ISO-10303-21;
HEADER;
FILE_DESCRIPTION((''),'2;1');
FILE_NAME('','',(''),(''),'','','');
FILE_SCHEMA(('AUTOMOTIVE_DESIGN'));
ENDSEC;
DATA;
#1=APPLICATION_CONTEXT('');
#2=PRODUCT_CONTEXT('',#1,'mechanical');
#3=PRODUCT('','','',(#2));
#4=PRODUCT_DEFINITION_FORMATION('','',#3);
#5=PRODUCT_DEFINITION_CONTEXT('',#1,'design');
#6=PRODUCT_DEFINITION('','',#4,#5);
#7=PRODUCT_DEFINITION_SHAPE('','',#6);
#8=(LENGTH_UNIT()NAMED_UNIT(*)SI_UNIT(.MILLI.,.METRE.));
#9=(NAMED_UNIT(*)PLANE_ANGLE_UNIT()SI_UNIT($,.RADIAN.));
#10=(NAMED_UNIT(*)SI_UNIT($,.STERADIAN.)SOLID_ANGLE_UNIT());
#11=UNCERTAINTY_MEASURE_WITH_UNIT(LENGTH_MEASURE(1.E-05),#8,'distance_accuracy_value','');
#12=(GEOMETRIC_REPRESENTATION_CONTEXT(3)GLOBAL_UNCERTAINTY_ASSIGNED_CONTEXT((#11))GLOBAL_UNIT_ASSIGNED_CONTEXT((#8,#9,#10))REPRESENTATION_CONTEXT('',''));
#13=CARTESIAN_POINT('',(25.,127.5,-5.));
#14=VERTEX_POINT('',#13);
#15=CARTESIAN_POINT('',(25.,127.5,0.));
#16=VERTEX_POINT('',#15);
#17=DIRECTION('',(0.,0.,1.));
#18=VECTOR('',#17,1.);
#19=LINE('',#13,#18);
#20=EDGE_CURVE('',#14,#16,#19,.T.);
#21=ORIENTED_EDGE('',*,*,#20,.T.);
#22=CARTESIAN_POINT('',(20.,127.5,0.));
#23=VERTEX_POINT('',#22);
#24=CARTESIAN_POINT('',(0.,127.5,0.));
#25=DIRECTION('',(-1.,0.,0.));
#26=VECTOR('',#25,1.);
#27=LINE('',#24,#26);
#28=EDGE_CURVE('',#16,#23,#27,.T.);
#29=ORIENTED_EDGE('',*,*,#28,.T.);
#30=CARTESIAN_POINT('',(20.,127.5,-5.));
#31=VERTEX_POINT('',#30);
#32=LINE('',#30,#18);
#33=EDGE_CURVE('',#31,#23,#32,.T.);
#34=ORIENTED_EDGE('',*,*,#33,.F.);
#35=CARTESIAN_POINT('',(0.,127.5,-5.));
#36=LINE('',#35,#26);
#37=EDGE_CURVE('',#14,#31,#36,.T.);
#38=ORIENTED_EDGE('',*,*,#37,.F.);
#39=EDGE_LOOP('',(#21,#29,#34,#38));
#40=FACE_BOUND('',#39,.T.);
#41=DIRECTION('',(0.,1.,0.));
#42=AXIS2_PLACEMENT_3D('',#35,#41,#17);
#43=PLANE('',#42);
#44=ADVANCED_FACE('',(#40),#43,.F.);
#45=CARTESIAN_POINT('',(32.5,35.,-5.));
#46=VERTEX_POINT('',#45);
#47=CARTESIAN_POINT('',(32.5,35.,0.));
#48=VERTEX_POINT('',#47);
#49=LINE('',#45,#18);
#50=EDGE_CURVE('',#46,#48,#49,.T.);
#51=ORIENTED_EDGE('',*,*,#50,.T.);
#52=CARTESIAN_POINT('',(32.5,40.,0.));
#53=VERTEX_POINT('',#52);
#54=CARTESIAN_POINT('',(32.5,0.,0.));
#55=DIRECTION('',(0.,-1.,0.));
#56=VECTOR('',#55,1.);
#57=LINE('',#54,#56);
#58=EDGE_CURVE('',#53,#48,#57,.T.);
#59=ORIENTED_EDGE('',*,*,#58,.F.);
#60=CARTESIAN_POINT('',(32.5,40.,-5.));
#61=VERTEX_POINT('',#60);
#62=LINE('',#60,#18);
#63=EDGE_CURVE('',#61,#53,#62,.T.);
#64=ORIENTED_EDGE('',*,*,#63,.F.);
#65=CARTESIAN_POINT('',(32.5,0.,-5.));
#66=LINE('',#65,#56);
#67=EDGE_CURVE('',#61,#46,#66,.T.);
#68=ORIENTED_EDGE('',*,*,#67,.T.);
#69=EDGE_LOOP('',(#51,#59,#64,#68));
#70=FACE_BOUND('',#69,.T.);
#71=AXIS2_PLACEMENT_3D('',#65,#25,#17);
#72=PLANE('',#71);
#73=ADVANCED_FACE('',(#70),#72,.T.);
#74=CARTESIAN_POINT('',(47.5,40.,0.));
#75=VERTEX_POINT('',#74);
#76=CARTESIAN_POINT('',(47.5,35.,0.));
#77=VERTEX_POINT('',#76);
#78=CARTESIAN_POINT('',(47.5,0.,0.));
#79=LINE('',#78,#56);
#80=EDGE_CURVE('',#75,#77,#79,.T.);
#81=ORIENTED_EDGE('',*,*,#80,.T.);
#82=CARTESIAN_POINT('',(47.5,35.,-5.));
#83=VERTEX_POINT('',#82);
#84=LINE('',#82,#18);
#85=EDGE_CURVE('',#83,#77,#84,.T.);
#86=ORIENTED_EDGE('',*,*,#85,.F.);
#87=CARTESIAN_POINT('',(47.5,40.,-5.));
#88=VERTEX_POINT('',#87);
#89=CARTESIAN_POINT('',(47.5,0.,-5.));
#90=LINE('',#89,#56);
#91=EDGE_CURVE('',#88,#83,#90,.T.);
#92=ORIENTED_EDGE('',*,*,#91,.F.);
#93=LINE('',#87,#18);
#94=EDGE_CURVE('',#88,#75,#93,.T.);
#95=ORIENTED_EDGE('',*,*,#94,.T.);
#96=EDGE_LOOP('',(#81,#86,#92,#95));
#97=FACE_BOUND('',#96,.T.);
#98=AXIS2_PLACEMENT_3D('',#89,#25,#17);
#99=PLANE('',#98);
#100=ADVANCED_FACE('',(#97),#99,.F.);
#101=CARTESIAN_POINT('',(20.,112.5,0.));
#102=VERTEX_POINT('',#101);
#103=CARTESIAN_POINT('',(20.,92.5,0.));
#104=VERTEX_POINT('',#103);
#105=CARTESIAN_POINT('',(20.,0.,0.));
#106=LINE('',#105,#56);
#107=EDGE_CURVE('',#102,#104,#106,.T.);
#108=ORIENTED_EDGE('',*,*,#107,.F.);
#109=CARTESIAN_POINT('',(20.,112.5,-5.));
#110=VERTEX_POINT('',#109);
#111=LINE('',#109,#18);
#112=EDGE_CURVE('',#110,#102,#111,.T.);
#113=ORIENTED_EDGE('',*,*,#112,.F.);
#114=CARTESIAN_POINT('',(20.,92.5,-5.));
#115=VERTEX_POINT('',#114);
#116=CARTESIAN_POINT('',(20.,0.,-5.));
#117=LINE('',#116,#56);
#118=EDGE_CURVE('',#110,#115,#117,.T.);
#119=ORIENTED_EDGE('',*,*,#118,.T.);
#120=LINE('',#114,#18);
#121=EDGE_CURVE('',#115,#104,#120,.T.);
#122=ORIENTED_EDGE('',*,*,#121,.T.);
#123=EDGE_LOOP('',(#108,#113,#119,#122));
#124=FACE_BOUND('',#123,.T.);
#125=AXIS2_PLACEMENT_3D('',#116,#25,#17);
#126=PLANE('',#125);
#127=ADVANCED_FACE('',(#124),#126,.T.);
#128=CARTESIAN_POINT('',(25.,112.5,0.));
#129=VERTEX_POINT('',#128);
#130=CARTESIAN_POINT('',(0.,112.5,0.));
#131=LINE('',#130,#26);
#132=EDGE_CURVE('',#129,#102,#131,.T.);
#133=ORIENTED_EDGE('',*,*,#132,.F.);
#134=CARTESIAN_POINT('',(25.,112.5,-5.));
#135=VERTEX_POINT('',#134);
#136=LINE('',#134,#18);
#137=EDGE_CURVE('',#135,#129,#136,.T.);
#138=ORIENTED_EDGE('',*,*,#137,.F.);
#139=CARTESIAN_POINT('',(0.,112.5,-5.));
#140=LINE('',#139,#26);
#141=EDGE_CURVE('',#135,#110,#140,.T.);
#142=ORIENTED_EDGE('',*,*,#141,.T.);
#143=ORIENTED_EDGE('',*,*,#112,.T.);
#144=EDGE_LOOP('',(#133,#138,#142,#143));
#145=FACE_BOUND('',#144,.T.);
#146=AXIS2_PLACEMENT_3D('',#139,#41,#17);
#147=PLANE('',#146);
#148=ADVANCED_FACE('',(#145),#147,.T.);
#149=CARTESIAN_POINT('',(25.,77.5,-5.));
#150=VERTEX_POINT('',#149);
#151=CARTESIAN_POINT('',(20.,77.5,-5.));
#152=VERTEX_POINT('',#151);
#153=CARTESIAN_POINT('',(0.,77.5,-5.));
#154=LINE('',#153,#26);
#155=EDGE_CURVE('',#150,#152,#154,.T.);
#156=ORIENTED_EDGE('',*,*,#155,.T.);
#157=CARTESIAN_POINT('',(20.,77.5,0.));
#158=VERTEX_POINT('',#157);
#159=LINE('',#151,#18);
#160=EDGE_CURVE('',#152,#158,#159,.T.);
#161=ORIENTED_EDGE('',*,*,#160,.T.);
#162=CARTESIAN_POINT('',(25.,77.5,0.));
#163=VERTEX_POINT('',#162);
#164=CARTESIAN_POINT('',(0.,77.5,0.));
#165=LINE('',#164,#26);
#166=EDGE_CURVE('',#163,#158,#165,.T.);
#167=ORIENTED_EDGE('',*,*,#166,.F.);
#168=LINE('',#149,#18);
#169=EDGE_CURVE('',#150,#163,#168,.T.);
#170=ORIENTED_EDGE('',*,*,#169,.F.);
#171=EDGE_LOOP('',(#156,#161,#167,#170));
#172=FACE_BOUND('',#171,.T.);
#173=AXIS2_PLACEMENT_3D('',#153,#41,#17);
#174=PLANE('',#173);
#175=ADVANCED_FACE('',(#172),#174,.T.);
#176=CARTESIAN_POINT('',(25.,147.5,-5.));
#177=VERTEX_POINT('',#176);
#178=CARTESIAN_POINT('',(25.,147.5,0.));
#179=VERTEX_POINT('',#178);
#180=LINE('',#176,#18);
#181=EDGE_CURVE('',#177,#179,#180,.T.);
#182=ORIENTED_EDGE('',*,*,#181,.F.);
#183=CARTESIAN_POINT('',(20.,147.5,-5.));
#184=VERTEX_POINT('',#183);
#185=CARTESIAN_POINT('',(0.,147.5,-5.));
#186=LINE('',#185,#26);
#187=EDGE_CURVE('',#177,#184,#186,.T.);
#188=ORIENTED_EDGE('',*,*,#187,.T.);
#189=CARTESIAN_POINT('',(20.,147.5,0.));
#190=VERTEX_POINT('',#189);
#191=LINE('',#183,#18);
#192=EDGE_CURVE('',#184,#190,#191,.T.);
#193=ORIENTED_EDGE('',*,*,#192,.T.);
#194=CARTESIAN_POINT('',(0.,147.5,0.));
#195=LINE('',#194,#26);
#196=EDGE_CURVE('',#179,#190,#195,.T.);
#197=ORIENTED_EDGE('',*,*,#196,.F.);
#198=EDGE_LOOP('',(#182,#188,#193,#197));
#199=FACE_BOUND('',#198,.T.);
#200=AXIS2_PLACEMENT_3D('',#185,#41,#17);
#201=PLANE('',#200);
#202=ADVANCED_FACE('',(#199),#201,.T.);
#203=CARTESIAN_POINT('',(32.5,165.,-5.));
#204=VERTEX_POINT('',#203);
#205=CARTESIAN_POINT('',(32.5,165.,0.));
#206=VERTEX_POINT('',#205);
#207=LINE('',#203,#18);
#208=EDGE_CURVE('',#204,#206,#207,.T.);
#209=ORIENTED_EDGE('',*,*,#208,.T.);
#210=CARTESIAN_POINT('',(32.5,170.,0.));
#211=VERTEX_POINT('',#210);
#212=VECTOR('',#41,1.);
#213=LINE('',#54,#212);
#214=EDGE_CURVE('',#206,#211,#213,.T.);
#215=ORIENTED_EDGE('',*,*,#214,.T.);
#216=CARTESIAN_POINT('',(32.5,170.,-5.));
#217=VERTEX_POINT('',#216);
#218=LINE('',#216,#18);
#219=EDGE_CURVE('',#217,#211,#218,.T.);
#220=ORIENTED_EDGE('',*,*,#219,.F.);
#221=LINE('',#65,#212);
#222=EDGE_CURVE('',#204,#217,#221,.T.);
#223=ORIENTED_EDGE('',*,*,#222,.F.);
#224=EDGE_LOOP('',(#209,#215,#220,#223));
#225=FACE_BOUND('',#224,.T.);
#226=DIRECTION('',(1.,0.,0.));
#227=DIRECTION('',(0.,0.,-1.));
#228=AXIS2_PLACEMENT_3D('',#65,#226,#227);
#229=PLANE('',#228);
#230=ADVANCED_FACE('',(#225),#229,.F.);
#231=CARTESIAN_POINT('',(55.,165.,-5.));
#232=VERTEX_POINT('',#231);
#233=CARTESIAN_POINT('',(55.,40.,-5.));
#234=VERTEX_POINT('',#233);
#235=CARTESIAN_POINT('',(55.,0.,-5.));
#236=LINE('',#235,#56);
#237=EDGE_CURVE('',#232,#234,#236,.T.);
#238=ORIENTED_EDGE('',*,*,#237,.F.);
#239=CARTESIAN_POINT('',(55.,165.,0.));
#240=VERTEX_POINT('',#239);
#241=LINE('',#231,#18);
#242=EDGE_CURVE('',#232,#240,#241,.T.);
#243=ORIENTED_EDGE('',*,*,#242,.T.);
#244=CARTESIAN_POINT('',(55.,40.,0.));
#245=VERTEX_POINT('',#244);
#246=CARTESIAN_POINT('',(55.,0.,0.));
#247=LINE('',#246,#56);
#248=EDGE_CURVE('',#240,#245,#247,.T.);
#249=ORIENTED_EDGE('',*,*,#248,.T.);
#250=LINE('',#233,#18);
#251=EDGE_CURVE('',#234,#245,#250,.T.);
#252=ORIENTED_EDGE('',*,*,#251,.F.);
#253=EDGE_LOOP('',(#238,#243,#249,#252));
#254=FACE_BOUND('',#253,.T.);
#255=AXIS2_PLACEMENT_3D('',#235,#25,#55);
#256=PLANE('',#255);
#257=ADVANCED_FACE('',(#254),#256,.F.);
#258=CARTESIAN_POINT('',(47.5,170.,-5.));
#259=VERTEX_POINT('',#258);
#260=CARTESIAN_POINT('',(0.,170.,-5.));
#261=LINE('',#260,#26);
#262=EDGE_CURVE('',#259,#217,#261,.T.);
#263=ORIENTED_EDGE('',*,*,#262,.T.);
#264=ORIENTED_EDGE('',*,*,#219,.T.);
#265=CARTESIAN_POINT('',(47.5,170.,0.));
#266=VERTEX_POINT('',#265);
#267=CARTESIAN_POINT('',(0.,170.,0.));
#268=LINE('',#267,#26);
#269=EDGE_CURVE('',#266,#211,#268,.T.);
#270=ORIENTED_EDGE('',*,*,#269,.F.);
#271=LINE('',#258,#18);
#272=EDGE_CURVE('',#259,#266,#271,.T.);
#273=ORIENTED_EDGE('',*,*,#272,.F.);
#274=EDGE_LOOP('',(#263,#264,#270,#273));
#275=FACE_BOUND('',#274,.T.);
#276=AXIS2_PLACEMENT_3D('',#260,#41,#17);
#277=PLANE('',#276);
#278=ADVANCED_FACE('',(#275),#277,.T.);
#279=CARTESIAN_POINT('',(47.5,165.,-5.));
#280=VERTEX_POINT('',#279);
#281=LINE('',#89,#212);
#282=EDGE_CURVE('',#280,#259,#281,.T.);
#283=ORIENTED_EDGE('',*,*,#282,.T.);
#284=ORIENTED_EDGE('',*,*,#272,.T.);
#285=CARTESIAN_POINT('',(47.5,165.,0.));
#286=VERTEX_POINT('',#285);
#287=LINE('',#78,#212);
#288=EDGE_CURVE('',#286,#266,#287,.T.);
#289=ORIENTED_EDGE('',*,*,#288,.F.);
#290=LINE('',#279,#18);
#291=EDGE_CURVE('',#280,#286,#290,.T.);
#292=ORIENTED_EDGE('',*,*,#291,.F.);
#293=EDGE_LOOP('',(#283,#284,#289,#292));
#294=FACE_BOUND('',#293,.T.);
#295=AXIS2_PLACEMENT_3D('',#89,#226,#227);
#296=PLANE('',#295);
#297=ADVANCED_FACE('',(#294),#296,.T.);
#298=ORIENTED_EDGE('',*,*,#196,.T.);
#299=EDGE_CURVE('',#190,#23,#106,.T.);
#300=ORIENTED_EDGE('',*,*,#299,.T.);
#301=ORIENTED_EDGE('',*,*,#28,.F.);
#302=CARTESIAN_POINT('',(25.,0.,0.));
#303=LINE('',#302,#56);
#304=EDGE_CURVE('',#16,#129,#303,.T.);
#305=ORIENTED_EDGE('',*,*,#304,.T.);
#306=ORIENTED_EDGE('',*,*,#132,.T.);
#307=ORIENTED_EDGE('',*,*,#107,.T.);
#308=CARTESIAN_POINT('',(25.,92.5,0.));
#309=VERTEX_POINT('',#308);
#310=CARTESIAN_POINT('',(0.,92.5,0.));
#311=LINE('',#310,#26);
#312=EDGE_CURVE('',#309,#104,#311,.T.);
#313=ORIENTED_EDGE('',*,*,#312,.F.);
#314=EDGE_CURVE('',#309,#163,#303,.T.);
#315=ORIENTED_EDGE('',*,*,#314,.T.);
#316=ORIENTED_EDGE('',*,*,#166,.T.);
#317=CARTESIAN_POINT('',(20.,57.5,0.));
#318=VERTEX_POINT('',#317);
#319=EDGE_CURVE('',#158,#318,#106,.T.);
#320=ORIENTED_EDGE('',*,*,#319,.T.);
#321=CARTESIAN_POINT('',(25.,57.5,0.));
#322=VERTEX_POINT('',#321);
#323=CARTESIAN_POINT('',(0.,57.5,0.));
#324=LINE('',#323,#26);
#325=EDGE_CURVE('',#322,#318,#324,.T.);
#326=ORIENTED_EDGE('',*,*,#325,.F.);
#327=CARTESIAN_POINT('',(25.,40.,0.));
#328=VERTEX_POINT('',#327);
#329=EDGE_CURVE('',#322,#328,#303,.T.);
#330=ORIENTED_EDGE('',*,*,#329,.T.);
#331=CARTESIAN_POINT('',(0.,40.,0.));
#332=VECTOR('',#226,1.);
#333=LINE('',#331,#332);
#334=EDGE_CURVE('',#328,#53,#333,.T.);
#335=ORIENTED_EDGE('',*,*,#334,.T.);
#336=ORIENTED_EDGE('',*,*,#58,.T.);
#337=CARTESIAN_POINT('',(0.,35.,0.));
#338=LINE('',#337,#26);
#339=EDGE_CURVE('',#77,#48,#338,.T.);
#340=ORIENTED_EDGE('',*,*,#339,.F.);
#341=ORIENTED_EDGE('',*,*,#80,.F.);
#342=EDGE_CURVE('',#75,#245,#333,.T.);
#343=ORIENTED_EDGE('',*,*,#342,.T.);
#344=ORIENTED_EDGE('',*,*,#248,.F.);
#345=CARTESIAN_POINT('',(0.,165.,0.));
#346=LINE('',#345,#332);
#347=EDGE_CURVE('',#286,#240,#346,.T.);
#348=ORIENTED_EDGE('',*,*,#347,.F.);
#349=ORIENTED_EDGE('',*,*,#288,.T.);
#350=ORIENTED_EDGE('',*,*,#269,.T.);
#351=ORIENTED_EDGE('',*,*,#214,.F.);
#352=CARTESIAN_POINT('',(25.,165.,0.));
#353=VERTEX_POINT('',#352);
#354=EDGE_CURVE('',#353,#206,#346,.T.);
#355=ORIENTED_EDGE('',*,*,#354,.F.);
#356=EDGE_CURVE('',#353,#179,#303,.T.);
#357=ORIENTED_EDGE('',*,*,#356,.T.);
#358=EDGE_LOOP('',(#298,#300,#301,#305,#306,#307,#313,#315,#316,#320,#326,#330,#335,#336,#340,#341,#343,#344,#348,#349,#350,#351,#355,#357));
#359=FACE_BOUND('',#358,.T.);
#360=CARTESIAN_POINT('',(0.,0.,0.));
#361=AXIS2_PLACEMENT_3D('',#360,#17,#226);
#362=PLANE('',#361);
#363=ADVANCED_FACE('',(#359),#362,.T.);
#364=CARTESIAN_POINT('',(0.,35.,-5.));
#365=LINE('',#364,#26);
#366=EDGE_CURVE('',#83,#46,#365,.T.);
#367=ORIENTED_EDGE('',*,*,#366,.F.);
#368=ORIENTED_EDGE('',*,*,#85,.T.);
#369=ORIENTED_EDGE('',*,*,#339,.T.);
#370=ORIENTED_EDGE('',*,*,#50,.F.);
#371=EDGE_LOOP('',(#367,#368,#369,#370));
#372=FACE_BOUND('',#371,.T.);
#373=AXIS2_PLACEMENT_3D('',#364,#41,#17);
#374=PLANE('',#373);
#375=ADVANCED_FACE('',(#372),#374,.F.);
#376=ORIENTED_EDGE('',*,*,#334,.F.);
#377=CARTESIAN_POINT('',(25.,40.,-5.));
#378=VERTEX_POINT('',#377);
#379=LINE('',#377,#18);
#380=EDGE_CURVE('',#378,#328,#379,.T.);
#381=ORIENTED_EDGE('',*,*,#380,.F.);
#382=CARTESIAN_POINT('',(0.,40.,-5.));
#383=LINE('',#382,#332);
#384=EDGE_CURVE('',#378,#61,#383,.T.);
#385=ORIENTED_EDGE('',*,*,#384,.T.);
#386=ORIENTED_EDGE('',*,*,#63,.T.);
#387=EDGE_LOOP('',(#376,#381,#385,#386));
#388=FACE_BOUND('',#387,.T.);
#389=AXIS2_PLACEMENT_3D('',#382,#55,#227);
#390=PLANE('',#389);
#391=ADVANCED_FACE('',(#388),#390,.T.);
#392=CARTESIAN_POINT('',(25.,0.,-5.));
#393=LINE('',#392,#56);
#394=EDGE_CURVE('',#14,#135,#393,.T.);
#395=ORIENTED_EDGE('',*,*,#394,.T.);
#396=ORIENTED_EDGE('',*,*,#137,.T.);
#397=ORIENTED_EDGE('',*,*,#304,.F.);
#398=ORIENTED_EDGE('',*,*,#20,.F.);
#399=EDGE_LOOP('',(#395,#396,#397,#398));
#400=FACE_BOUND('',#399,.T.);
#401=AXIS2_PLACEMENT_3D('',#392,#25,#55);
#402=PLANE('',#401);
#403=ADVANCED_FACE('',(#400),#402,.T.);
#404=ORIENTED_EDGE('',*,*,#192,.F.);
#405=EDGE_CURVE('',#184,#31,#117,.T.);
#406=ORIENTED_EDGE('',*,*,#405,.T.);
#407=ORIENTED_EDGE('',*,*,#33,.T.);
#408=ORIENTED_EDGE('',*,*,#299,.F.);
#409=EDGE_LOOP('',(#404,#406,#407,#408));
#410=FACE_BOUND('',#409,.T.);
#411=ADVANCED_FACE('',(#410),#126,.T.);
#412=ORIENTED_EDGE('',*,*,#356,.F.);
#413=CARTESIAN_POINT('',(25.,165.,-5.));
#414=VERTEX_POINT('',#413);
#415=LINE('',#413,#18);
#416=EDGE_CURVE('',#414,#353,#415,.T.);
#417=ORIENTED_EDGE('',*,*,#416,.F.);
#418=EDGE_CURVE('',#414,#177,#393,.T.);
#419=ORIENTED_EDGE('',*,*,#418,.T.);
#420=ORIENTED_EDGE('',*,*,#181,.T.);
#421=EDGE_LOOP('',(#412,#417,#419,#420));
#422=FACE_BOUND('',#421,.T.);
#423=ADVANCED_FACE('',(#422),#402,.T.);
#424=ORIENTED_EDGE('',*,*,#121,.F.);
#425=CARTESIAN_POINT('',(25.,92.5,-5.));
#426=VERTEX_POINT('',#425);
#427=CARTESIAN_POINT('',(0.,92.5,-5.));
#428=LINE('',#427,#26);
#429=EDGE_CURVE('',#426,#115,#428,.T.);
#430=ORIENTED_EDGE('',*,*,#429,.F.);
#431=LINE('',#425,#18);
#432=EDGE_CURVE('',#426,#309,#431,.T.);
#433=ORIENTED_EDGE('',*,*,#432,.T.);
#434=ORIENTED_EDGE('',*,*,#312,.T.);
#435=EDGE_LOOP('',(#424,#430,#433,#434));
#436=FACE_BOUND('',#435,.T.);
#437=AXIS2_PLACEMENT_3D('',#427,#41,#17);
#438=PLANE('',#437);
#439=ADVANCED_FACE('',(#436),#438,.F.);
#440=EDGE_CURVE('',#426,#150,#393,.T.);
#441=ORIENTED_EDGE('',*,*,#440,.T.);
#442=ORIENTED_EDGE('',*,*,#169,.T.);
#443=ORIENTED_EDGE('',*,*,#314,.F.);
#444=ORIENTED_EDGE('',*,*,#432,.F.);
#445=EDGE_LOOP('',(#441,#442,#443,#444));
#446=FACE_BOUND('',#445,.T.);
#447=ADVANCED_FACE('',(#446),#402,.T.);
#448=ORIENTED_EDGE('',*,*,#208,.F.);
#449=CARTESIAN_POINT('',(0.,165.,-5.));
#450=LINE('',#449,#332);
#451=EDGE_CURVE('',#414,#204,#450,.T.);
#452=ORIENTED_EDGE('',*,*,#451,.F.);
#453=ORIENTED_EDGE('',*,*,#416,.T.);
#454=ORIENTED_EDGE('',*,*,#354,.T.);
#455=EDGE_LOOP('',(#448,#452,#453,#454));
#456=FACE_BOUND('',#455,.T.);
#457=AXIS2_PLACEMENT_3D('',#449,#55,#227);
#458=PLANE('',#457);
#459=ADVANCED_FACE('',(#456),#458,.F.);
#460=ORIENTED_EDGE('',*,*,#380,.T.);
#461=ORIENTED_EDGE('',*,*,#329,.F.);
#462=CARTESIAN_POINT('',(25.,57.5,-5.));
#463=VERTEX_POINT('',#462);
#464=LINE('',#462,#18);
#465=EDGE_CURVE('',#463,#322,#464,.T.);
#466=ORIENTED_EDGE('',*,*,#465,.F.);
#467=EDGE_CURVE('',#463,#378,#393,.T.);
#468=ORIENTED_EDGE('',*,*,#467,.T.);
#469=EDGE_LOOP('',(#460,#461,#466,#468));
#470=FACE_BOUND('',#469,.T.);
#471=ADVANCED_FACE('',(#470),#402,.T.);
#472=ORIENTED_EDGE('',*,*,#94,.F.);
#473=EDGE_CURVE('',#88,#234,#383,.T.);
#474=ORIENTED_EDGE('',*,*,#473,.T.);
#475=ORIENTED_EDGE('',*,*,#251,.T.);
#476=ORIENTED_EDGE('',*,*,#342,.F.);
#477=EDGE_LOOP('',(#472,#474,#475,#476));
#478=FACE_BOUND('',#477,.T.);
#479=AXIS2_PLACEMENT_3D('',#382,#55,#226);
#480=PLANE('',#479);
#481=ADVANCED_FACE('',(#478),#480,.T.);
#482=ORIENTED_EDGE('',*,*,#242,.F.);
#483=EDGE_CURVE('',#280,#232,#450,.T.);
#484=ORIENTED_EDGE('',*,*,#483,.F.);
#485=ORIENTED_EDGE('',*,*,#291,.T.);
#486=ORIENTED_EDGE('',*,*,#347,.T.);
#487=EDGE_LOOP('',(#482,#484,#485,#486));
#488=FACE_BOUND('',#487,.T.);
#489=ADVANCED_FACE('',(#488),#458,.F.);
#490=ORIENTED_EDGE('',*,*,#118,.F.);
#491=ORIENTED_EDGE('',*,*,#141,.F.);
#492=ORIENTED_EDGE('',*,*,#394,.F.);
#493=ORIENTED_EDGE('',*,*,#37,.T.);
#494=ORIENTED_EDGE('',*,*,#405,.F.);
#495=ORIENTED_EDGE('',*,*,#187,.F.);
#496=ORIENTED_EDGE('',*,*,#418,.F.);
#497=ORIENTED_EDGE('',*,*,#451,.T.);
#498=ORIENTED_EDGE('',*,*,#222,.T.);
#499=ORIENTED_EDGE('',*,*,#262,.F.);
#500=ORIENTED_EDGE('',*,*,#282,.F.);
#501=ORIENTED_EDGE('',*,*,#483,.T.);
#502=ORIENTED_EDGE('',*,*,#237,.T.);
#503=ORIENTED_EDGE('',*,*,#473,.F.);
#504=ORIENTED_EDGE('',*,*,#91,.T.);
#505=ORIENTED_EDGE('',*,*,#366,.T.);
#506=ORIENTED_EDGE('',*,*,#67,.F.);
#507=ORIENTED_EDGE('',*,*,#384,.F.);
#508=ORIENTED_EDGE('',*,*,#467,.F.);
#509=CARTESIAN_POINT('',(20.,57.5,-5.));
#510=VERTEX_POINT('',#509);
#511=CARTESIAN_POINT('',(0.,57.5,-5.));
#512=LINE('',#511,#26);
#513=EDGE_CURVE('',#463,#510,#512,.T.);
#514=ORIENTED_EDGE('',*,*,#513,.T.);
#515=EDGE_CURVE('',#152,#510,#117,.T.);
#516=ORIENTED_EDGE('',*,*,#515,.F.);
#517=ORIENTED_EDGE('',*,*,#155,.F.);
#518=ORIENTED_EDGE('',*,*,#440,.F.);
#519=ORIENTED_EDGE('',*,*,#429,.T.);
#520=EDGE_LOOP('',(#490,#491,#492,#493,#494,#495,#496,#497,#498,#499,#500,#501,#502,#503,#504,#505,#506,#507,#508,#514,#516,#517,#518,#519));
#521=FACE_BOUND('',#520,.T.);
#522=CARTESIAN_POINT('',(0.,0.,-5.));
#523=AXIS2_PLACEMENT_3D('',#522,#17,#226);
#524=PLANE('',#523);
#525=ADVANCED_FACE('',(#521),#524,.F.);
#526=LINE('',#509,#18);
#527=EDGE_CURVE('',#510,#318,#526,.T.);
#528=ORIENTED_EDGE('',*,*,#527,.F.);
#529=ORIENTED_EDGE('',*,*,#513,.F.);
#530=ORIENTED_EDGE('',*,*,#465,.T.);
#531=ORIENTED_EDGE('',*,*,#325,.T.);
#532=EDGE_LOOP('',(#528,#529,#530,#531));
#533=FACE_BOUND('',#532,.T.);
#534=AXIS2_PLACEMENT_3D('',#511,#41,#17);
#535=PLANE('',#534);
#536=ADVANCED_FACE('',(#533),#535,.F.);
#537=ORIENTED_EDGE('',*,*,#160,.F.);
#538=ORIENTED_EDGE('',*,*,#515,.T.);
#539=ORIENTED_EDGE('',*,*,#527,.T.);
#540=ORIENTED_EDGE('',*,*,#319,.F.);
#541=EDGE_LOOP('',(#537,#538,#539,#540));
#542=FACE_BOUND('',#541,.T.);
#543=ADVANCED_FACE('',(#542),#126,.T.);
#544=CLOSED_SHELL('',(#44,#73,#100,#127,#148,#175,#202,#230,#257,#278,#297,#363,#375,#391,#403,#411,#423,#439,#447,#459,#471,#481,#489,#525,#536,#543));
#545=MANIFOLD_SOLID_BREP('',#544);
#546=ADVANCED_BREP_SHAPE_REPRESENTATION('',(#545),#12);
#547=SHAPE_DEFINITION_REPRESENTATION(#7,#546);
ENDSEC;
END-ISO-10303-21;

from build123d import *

# Parameters (mm, degrees)
BOSS_EXTRUDE1_DEPTH = 5


with BuildPart() as part:
    # Sketch1 → Boss-Extrude1 (new body)
    with BuildSketch(Plane.XY):
        Polygon((25, 127.5), (20, 127.5), (20, 147.5), (25, 147.5), (25, 165), (32.5, 165), (32.5, 170), (47.5, 170), (47.5, 165), (55, 165), (55, 40), (47.5, 40), (47.5, 35), (32.5, 35), (32.5, 40), (25, 40), (25, 57.5), (20, 57.5), (20, 77.5), (25, 77.5), (25, 92.5), (20, 92.5), (20, 112.5), (25, 112.5), align=None)
    extrude(amount=-BOSS_EXTRUDE1_DEPTH)


solid = part.part
